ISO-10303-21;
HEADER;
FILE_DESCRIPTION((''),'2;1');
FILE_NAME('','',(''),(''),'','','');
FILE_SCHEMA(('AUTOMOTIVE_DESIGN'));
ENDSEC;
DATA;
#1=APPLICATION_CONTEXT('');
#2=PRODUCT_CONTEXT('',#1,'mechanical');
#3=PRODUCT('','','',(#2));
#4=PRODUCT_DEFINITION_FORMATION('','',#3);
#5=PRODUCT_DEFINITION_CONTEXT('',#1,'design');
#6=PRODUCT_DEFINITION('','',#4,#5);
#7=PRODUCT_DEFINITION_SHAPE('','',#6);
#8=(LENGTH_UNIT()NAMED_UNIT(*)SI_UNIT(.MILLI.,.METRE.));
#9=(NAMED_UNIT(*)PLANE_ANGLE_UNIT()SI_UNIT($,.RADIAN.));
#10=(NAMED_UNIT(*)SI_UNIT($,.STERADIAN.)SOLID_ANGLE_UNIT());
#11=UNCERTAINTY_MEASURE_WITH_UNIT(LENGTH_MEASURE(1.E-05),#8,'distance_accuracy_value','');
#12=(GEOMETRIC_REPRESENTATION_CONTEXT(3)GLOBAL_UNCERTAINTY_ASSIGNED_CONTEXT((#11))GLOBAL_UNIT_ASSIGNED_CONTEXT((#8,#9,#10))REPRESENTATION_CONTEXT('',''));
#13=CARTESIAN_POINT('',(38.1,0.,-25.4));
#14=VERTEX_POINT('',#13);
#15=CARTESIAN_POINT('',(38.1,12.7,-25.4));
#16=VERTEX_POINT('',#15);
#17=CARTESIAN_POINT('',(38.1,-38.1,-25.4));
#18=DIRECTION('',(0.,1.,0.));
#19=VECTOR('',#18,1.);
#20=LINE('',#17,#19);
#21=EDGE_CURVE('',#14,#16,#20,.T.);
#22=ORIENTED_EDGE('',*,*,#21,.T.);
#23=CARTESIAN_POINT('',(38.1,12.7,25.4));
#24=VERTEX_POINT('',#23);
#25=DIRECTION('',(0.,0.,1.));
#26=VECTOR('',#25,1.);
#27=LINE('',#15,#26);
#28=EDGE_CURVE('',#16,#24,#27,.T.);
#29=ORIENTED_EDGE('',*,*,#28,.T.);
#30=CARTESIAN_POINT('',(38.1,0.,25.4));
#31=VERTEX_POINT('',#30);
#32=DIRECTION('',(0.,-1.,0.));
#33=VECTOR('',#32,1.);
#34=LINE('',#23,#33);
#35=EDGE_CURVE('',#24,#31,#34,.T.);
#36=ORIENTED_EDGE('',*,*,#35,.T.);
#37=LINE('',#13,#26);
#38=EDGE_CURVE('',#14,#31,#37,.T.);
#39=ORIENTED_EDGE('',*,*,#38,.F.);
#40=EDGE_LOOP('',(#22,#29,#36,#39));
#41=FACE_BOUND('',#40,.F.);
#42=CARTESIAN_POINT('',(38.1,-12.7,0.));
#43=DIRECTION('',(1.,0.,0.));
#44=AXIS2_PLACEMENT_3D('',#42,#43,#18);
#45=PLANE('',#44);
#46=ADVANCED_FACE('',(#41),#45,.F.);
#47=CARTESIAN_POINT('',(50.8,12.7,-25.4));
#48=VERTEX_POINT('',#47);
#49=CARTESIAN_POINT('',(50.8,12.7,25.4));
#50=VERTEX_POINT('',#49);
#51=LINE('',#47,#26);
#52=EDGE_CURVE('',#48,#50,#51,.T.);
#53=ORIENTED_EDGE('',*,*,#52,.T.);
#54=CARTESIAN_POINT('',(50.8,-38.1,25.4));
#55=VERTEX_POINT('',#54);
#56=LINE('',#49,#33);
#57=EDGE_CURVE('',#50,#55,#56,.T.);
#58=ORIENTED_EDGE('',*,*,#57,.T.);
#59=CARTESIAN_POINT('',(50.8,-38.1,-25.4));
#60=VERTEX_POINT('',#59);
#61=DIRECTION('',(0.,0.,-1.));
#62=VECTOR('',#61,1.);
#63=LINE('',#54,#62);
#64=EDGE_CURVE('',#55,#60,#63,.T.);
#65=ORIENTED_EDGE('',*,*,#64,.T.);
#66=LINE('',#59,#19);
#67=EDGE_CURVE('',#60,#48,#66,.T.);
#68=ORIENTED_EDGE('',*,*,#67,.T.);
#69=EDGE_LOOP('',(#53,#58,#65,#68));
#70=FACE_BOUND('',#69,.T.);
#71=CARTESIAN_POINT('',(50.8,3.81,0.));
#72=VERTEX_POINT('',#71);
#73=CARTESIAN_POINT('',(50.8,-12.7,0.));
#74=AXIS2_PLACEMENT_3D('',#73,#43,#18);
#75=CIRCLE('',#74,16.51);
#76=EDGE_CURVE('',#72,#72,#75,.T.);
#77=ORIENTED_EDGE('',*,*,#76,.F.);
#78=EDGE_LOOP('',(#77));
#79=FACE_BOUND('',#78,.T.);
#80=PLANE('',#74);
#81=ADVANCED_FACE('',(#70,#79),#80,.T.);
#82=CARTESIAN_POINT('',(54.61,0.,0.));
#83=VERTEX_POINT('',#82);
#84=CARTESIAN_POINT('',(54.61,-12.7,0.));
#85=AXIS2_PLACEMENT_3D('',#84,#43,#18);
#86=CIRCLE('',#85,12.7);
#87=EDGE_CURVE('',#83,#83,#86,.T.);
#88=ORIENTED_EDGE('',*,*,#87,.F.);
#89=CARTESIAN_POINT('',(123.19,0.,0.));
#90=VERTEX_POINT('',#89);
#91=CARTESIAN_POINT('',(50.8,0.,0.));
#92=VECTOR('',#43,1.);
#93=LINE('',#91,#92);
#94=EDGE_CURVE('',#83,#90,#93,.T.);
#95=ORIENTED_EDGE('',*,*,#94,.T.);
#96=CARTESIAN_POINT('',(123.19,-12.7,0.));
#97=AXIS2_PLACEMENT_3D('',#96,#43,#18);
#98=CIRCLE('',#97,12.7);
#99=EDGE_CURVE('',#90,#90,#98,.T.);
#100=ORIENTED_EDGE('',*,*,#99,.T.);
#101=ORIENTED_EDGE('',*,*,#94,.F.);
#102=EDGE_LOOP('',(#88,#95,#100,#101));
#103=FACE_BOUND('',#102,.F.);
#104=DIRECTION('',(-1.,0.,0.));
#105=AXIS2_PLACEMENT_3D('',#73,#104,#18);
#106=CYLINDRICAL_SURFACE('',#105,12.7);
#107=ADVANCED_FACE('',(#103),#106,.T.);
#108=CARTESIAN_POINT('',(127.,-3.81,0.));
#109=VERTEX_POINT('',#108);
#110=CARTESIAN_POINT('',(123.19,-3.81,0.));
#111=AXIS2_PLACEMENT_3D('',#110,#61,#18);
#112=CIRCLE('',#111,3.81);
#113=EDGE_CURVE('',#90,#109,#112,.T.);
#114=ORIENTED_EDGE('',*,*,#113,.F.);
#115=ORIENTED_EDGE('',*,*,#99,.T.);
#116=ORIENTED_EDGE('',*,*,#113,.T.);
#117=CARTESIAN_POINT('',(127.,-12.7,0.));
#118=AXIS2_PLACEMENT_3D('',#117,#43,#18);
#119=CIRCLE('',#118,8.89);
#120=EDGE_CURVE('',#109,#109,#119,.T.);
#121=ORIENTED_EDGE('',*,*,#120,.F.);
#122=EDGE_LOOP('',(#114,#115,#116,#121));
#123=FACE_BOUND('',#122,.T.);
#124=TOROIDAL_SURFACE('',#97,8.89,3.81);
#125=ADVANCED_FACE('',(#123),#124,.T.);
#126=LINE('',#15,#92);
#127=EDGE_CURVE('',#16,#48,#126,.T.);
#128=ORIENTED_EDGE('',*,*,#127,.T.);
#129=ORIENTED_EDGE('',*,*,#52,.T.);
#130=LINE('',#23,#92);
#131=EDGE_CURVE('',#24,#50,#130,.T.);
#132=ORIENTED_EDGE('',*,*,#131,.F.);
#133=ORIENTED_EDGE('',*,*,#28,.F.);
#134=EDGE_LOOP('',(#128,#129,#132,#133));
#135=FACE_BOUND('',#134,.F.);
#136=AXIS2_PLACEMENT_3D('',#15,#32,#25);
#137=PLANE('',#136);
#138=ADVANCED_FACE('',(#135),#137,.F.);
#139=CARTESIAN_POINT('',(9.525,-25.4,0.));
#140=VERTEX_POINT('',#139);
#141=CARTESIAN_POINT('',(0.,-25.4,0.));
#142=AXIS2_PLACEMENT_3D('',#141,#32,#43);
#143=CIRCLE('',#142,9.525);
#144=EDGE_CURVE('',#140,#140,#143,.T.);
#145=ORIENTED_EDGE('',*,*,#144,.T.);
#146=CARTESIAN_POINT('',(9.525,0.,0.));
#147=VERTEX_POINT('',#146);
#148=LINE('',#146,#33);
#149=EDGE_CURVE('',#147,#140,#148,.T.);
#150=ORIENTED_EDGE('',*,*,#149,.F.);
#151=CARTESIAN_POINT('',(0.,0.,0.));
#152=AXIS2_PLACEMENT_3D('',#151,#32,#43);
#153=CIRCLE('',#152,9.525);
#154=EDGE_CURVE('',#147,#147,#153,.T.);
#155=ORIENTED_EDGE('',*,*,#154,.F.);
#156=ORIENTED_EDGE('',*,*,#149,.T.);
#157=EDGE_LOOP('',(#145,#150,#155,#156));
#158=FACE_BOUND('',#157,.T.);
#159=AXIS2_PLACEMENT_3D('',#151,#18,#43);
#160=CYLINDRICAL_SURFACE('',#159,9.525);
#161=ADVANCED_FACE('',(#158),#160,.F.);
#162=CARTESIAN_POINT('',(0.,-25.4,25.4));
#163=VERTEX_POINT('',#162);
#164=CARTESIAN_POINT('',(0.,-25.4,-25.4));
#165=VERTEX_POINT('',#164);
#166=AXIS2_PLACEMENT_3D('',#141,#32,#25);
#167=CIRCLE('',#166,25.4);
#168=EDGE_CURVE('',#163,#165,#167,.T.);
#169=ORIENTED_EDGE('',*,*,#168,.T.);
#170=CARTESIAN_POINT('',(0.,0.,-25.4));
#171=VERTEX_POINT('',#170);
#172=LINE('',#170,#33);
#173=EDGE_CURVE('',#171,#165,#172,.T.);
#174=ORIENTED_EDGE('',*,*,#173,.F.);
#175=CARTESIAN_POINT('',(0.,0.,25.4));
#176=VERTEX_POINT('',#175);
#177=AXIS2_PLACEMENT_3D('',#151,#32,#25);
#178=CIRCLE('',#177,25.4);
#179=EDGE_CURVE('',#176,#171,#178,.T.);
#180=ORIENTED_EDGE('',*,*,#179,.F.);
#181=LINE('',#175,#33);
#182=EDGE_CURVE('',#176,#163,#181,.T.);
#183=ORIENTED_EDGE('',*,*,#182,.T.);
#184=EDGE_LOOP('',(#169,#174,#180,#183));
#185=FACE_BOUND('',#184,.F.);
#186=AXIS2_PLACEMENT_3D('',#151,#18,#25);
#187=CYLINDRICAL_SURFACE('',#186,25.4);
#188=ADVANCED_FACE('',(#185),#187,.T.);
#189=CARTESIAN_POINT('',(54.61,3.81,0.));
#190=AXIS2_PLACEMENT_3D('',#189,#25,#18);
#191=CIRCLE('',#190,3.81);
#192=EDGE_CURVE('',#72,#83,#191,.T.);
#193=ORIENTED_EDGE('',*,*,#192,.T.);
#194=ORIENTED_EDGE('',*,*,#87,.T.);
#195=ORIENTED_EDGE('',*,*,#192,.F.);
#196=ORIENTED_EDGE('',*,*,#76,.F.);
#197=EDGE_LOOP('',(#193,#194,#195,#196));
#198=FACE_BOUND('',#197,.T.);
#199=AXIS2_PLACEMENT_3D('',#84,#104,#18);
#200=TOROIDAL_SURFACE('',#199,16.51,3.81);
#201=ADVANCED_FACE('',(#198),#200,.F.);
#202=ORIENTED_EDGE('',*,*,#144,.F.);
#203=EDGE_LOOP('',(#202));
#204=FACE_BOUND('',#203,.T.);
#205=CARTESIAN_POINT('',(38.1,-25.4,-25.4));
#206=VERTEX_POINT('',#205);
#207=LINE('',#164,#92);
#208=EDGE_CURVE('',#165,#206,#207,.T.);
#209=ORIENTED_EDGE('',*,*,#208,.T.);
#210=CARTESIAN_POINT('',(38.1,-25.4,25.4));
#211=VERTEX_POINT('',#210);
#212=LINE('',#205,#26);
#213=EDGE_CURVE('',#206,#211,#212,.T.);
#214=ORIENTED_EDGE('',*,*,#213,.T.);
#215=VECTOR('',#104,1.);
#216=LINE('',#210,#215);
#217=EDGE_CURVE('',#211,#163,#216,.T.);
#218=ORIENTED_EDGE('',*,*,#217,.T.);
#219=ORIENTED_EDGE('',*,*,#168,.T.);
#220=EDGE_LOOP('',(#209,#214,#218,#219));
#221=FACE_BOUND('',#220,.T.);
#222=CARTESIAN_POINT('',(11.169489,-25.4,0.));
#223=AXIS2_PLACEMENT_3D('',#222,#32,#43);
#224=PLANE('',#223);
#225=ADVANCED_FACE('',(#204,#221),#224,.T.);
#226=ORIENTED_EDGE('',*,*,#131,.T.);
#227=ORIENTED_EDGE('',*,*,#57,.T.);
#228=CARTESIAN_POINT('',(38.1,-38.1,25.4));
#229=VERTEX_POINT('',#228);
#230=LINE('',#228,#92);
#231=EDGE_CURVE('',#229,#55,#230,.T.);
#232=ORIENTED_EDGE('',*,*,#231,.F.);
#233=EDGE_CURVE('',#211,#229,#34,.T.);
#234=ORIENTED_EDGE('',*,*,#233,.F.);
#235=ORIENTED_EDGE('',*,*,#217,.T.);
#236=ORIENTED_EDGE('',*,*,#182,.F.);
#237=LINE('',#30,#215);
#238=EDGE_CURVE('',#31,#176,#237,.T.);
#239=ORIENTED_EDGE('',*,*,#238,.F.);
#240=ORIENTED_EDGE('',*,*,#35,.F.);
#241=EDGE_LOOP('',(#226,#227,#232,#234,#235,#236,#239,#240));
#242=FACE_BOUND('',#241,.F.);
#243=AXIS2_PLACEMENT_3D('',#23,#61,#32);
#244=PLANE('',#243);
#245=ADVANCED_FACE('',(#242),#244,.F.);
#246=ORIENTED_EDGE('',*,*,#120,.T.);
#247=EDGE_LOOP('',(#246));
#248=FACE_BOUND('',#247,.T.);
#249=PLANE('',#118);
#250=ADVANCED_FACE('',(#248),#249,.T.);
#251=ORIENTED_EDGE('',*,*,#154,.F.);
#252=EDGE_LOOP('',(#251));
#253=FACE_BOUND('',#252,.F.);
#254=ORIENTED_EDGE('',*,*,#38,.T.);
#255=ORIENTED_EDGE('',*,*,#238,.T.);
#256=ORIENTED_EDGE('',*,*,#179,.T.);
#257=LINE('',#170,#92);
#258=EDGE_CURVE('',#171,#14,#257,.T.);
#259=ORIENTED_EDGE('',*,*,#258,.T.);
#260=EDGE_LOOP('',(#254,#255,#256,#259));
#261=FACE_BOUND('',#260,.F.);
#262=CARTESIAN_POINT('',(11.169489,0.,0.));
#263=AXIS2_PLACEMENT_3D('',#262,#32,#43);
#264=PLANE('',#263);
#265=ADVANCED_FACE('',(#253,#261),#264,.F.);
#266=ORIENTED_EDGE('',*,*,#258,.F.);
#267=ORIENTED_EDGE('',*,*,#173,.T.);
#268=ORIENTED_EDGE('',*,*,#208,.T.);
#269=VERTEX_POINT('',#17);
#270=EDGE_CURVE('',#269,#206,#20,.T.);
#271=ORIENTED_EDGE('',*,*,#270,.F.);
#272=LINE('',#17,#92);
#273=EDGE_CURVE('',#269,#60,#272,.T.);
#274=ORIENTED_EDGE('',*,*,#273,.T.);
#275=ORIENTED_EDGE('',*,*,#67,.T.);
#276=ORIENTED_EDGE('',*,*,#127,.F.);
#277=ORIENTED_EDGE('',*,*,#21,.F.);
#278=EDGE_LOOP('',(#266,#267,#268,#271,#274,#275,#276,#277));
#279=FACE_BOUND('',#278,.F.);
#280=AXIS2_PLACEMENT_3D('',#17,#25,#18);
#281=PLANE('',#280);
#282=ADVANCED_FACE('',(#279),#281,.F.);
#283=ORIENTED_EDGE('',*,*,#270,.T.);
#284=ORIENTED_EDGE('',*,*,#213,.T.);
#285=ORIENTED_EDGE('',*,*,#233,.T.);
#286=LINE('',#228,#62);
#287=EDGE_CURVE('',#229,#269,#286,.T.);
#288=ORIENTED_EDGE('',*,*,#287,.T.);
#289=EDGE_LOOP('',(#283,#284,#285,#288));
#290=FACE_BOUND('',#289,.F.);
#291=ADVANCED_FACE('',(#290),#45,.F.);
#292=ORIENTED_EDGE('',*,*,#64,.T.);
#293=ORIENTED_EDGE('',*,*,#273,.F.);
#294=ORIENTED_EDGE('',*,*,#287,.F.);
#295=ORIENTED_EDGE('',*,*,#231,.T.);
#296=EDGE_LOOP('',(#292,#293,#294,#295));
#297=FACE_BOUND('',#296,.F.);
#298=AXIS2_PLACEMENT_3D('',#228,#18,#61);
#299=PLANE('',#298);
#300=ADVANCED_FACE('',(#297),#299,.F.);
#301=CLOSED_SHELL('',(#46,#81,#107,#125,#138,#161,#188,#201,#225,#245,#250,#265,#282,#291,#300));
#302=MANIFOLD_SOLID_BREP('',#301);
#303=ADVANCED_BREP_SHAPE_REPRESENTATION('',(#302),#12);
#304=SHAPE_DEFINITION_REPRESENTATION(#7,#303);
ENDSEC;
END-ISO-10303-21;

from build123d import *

# Parameters (mm, degrees)
F0_R     = 9.525
F1_DEPTH = 25.4
F3_DEPTH = 12.7
F4_R     = 12.7
F5_DEPTH = 76.2
F6_R     = 3.81


with BuildPart() as f1:
    # F0 (on Front) → F1 (new body)
    with BuildSketch(Plane.XZ):
        with BuildLine():
            Line((38.1, 25.4), (0, 25.4))
            ThreePointArc((0, 25.4), (-25.4, 0), (0, -25.4))
            Line((0, -25.4), (38.1, -25.4))
            Line((38.1, -25.4), (38.1, 25.4))
        make_face()
        Circle(F0_R, mode=Mode.SUBTRACT)
    extrude(amount=F1_DEPTH)

    # F2 (on face) → F3 (join)
    with BuildSketch(Plane.YZ.offset(38.1)):
        Polygon((12.7, 25.4), (0, 25.4), (-25.4, 25.4), (-38.1, 25.4), (-38.1, -25.4), (-25.4, -25.4), (0, -25.4), (12.7, -25.4), align=None)
    extrude(amount=F3_DEPTH)

    # F4 (on face) → F5 (join)
    with BuildSketch(Plane.YZ.offset(50.8)):
        with Locations((-12.7, 0)):
            Circle(F4_R)
    extrude(amount=F5_DEPTH)

    # F6
    f6_edges = [f1.edges().sort_by_distance(p)[0] for p in [
        (127, -25.4, 0),
        (50.8, -25.4, 0),
    ]]
    fillet(f6_edges, radius=F6_R)


solid = f1.part
